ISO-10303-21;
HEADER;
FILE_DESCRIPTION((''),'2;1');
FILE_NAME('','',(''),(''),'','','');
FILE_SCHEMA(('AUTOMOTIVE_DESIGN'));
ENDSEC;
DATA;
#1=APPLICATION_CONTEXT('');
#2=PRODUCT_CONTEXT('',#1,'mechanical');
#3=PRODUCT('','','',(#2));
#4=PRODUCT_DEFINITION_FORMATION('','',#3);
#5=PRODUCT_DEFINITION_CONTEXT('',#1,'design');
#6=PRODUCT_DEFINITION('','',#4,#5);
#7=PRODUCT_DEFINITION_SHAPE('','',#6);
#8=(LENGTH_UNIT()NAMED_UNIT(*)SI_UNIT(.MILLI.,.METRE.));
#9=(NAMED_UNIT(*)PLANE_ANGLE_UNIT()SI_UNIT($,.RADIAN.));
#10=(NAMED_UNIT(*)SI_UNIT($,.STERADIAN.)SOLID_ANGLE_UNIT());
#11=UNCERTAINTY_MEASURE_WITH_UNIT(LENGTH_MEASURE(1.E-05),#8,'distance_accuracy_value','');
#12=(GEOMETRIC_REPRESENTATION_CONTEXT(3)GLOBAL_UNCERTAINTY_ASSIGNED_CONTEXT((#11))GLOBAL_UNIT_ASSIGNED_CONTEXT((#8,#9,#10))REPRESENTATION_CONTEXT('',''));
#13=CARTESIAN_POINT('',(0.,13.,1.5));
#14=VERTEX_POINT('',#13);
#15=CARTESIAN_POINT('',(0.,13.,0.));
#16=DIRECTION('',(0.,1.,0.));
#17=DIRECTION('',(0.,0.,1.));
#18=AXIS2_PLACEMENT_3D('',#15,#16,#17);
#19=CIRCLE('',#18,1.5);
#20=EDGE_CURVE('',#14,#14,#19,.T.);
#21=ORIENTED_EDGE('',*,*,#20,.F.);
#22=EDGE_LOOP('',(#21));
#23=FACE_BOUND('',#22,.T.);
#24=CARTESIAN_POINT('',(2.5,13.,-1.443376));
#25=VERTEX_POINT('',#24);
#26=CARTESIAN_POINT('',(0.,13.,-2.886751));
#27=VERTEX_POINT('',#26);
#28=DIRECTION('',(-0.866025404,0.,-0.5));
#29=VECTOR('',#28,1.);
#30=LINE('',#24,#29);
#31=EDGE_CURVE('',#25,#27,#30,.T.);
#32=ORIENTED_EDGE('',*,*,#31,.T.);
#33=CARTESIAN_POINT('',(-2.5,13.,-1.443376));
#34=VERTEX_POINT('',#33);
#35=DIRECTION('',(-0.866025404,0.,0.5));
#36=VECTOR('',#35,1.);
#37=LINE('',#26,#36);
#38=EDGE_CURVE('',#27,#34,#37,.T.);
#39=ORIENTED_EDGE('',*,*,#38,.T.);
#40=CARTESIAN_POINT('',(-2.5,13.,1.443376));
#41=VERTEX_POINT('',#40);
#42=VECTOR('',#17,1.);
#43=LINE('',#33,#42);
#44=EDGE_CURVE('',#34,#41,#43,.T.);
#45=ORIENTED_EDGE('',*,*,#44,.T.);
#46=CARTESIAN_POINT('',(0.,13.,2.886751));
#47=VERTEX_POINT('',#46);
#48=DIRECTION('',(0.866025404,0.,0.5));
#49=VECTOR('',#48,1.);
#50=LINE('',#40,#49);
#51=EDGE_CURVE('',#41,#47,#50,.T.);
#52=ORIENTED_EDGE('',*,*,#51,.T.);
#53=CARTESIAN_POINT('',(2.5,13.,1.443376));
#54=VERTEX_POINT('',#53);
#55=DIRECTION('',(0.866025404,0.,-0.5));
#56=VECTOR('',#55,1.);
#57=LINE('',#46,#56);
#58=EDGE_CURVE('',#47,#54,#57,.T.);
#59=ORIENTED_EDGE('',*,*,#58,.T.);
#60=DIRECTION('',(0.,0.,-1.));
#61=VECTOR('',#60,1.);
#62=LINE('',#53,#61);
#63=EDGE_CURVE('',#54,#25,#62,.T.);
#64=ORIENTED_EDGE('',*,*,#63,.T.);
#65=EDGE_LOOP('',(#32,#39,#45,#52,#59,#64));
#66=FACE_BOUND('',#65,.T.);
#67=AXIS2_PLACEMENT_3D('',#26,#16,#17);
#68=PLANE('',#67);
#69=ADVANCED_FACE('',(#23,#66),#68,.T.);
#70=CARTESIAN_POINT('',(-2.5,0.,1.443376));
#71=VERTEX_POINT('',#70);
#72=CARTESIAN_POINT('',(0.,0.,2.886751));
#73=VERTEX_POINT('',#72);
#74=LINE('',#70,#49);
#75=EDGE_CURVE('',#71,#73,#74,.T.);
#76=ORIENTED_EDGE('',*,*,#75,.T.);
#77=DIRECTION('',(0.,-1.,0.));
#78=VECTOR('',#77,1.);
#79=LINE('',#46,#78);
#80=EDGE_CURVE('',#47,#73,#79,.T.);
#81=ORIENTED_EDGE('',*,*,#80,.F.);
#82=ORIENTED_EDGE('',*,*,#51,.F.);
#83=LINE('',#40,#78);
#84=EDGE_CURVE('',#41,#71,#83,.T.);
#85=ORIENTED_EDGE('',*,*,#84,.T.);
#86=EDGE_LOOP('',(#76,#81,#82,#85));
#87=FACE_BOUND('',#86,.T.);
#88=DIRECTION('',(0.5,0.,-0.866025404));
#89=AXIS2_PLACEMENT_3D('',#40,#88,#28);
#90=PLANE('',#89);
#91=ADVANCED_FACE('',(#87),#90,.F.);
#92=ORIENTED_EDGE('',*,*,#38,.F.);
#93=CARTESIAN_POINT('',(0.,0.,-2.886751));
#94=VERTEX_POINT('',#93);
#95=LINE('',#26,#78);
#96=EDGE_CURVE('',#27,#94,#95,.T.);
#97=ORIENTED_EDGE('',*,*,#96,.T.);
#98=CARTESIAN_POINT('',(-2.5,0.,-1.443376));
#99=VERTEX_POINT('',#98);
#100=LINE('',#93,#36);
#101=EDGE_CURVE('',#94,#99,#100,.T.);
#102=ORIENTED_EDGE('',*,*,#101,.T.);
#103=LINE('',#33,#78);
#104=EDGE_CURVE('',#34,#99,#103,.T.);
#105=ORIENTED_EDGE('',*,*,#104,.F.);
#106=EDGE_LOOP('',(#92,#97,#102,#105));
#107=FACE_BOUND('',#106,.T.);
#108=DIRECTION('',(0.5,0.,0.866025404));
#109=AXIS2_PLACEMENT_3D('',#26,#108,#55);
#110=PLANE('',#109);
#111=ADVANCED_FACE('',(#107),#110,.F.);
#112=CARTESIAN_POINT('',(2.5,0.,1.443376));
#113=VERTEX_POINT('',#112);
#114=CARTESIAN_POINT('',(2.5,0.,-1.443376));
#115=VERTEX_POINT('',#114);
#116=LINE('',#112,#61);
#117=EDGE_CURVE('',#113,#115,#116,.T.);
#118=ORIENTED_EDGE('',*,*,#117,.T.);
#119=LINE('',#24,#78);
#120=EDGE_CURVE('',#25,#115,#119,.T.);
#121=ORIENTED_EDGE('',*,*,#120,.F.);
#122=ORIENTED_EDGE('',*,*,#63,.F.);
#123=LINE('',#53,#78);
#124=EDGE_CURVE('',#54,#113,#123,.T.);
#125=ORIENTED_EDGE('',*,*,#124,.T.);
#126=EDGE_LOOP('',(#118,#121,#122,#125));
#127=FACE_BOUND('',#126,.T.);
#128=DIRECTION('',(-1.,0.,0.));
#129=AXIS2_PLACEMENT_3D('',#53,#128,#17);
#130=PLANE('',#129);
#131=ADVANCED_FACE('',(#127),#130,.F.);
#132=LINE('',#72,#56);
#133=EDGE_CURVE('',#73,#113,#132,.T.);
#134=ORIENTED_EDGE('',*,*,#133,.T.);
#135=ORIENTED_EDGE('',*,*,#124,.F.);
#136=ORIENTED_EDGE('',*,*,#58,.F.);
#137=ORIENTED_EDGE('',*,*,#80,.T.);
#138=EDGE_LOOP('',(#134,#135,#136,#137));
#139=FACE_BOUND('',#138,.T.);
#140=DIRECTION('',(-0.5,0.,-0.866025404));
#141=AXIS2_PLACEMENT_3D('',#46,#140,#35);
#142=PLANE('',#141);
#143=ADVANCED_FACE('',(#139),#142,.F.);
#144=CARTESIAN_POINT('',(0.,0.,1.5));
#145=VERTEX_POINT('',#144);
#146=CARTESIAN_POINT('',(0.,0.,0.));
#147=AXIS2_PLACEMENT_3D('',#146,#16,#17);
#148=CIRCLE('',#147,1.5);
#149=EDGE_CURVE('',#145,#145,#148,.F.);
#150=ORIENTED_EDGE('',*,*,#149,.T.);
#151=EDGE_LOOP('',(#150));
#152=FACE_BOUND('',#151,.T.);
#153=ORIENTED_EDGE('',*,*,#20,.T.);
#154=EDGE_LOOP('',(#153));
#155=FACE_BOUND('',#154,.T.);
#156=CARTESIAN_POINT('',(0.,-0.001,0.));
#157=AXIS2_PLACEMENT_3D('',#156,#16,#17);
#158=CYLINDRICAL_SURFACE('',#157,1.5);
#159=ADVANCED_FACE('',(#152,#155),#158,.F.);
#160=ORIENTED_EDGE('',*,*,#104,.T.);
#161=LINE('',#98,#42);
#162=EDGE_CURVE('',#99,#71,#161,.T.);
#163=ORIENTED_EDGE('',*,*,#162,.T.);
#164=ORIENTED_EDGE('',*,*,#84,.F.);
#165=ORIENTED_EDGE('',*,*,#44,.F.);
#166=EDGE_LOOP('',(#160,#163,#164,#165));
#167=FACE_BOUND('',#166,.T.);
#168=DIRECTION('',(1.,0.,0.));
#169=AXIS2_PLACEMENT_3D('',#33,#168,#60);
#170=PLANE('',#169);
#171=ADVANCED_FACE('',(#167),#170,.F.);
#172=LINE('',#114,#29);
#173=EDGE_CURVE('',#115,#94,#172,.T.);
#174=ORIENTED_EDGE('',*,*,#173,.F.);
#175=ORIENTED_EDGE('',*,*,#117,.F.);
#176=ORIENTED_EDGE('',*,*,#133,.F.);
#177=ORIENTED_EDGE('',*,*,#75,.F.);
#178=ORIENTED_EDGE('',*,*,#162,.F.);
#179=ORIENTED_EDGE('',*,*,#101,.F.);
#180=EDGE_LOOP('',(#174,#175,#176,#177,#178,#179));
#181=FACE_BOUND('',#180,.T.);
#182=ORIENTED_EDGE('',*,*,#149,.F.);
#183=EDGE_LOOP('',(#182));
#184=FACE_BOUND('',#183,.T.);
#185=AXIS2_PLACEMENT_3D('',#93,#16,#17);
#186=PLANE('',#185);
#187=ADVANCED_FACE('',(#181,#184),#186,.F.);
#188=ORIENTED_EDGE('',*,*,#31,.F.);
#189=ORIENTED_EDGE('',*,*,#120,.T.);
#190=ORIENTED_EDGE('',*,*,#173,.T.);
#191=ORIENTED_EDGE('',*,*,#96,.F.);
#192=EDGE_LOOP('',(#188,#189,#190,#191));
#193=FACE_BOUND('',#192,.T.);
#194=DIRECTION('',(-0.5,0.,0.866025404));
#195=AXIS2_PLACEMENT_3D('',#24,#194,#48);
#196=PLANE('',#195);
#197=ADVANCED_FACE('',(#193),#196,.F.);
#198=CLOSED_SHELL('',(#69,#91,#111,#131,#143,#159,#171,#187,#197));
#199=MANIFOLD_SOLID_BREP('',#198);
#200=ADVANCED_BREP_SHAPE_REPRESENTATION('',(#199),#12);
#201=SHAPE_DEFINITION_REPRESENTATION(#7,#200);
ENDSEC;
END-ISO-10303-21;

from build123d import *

# Parameters (mm, degrees)
EXTRUDE_1_DEPTH     = 13
CUT_EXTRUDE_1_REACH = 15.549
SKETCH_2_R          = 1.5


with BuildPart() as part:
    # 草圖1 → 填料-伸長1 (new body)
    with BuildSketch(Plane(origin=(0, 0, 0), x_dir=(1, 0, 0), z_dir=(0, 1, 0))):
        Polygon((0, 2.886751346), (-2.5, 1.443375673), (-2.5, -1.443375673), (0, -2.886751346), (2.5, -1.443375673), (2.5, 1.443375673), align=None)
    extrude(amount=EXTRUDE_1_DEPTH)

    # 草圖2 → 除料-伸長1 (cut, up to next)
    with BuildSketch(Plane(origin=(0, 13, 0), x_dir=(-1, 0, 0), z_dir=(0, 1, 0)), mode=Mode.PRIVATE) as cut_extrude_1_sk1:
        with Locations(Location((0, 0, 0), (0, 0, 90))):
            Circle(SKETCH_2_R)
    cut_extrude_1_tool1 = extrude(cut_extrude_1_sk1.sketch, amount=-CUT_EXTRUDE_1_REACH, mode=Mode.PRIVATE) & part.part
    add(cut_extrude_1_tool1.solids().sort_by_distance((0, 13, 0))[0], mode=Mode.SUBTRACT)


solid = part.part
